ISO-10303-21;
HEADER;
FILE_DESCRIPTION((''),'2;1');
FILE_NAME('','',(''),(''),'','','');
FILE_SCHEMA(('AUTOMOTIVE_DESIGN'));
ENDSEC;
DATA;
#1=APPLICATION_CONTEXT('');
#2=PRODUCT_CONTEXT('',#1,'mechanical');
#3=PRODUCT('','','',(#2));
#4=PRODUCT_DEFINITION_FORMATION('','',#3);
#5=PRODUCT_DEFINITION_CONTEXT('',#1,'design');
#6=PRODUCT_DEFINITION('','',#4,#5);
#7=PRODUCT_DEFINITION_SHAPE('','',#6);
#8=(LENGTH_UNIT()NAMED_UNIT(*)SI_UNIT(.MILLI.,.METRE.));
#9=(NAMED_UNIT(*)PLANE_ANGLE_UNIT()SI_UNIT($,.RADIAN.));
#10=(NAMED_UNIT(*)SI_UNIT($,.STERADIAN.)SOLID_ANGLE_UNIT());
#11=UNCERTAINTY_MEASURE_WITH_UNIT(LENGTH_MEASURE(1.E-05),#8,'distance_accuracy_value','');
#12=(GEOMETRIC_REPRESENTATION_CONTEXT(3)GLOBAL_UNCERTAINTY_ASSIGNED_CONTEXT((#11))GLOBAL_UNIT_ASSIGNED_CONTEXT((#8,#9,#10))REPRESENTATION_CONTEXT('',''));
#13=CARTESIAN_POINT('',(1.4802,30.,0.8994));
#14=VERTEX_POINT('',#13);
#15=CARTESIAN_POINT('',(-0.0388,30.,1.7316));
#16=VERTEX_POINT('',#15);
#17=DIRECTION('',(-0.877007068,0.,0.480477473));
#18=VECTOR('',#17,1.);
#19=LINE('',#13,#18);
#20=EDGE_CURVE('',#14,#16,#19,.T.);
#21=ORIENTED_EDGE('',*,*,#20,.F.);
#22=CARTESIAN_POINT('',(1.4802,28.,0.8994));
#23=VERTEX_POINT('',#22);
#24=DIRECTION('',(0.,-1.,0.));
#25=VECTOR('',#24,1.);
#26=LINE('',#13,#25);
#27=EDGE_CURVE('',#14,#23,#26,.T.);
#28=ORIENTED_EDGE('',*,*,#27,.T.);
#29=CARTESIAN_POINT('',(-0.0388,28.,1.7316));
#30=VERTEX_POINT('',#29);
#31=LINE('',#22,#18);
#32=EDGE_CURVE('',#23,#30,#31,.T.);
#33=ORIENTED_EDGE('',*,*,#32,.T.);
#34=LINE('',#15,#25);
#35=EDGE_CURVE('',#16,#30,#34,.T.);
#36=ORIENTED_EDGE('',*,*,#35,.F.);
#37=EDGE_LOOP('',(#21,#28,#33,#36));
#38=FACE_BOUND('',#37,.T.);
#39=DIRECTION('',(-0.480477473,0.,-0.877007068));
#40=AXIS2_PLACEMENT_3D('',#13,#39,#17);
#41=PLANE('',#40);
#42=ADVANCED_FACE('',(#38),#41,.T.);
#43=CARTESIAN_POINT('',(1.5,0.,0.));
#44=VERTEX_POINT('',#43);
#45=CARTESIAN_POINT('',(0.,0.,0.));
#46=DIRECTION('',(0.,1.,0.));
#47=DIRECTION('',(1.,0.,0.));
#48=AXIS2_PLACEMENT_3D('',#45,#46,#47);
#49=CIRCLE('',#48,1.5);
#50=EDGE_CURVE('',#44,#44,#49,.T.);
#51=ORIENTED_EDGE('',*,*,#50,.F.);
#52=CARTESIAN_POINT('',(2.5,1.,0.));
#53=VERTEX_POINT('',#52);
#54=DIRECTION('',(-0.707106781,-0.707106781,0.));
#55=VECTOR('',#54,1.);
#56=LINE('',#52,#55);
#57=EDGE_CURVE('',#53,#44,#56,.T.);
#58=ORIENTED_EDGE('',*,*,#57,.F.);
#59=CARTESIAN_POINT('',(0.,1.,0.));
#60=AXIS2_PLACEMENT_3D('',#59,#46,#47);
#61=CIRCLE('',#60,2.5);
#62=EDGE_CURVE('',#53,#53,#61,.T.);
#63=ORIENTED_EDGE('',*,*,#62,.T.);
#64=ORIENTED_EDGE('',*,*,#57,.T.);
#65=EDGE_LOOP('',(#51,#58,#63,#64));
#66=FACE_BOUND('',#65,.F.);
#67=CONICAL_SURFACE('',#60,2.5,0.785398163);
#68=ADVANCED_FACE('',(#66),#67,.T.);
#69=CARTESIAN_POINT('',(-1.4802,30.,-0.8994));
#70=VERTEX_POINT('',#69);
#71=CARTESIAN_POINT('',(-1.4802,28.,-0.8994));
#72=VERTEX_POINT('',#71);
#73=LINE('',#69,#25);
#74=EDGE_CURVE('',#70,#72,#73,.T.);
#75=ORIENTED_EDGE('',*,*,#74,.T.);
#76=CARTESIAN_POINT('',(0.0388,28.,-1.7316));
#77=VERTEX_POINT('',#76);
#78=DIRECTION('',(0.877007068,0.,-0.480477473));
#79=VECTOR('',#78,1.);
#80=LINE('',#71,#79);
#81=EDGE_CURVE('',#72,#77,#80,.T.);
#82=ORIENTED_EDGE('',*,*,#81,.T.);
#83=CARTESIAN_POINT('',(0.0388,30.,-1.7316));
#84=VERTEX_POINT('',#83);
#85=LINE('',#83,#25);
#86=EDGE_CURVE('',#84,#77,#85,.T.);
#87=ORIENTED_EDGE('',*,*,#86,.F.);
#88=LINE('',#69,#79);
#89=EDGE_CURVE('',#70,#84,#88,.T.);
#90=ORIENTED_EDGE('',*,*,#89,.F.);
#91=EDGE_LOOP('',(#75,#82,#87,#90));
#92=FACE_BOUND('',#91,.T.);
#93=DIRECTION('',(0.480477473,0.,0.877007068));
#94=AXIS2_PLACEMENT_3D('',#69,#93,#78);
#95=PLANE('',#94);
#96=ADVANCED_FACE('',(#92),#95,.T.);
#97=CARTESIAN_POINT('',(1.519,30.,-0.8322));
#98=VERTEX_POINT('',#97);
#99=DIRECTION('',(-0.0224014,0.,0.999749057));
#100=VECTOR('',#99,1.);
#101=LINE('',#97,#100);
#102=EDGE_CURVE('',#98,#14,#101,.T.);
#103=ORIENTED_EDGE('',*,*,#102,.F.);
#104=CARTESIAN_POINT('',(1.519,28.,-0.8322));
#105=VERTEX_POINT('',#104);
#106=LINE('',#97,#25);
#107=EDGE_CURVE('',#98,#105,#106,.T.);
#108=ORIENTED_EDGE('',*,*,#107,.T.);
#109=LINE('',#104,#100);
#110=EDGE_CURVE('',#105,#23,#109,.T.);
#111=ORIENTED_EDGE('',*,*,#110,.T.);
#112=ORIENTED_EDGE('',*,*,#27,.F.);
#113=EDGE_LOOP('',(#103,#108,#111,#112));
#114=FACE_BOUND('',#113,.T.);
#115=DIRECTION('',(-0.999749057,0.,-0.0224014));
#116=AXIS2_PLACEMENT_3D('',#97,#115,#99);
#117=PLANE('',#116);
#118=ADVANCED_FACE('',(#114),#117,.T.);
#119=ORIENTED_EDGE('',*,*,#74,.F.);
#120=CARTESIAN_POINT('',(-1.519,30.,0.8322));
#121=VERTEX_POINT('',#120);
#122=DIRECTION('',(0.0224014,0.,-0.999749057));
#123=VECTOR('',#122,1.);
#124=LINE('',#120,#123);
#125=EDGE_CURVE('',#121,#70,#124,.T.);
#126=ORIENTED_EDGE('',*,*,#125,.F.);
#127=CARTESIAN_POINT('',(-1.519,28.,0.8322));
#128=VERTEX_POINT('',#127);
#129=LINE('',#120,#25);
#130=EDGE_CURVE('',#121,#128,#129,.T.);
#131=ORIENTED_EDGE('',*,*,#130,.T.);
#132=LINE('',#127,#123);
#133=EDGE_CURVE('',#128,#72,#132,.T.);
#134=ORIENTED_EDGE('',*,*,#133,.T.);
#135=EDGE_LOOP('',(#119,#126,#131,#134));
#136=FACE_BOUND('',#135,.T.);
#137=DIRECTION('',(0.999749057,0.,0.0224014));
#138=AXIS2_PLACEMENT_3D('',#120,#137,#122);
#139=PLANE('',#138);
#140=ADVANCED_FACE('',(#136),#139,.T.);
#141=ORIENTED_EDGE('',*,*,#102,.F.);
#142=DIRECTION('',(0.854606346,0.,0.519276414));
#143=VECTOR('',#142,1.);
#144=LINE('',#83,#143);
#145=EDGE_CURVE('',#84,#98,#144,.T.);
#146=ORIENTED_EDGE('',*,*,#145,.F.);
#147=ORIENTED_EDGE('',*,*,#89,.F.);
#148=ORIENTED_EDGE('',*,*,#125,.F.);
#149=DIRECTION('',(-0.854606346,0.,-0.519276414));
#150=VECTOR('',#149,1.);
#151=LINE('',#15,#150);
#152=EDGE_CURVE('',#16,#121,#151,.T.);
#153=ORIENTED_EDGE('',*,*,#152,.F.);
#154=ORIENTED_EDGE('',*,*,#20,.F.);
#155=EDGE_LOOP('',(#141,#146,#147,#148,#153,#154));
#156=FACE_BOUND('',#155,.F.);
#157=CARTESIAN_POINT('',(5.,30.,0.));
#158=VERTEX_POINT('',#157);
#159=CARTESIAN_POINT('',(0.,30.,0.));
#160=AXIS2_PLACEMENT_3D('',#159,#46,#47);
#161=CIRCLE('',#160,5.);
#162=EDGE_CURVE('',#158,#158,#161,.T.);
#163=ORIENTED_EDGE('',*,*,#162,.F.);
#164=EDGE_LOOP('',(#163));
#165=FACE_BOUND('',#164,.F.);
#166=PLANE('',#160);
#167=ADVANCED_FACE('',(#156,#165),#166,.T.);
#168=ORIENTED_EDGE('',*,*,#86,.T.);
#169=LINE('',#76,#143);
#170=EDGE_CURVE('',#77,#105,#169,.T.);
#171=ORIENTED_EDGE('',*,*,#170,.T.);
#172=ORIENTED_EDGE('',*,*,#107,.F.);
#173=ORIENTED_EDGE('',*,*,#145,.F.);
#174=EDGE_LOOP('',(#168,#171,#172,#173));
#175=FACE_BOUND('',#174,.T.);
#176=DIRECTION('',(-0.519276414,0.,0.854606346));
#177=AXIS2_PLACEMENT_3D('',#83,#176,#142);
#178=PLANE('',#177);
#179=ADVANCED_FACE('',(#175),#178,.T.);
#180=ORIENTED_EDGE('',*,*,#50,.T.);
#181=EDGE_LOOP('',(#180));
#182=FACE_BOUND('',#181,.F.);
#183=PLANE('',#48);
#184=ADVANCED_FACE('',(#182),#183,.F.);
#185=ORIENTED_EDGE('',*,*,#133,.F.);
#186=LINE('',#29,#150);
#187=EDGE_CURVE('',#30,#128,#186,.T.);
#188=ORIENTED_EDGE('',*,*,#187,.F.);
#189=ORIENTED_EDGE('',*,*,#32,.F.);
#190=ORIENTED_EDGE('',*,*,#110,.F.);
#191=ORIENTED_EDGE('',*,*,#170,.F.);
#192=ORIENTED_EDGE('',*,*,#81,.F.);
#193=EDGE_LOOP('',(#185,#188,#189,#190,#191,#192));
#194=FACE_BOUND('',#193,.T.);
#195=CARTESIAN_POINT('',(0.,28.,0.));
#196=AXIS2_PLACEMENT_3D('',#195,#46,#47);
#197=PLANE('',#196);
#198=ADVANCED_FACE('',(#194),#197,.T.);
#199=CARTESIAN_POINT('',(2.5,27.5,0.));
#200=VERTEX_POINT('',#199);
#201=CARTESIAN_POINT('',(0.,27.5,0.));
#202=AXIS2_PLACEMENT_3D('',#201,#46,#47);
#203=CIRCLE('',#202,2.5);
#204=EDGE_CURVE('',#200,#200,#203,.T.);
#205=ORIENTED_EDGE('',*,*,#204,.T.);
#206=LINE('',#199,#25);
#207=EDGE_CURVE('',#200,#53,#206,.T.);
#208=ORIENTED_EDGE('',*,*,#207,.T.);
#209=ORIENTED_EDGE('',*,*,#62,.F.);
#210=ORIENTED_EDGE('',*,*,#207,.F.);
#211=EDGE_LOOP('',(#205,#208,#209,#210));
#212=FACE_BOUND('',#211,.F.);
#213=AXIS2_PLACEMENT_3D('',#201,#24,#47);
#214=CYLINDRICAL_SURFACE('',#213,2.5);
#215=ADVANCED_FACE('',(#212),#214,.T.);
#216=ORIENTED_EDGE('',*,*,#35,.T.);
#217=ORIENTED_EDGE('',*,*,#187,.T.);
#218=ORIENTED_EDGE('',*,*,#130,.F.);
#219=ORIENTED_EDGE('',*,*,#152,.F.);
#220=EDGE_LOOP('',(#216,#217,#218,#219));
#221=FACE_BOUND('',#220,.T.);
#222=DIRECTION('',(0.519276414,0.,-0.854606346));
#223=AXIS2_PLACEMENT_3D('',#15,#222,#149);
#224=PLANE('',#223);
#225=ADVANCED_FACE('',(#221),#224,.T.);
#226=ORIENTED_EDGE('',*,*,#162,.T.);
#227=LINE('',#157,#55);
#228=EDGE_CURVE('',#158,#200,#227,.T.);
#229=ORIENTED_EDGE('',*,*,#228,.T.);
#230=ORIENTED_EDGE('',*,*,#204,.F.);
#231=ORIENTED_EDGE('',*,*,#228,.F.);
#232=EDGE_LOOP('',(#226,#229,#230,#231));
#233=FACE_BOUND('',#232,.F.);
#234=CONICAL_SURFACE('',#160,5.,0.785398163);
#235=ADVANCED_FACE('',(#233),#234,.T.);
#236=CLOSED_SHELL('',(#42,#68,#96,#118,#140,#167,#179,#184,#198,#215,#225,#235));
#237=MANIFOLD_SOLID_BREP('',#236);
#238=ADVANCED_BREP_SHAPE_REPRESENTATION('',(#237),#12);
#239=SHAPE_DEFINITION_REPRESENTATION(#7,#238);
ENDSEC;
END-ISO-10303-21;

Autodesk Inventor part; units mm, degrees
ref_plane "YZ Plane" through (0, 0, 0) normal (1, 0, 0) x (0, 1, 0)
ref_plane "XZ Plane" through (0, 0, 0) normal (0, 1, 0) x (-1, 0, 0)
ref_plane "XY Plane" through (0, 0, 0) normal (0, 0, 1) x (1, 0, 0)
sketch "Sketch1" plane through (0, 0, 0) normal (0, 0, 1) x (1, 0, 0)
  line L0 (0, 0) -> (0, 30)
  line L1 (0, 30) -> (5, 30)
  line L2 (5, 30) -> (2.5, 27.5)
  line L3 (2.5, 27.5) -> (2.5, 1)
  line L4 (1.5, 0) -> (0, 0)
  line L5 (2.5, 1) -> (1.5, 0)
  point P0 (2.5, 0)
  dimension "d0" = 2.5
  dimension "d2" = 5
  dimension "d3" = 135
  dimension "d4" = 30
  dimension "d6" = 1
  dimension "d7" = 1
revolve "Revolution1" add sketch "Sketch1" angle 360 about axis through (0, 0, 0) along (0, 1, 0)
sketch "Sketch2" plane through (0, 30, 0) normal (0, 1, 0) x (1, 0, 0)
  circle A0 centre (0, 0) radius 5 projected
  line L0 (1.4802, -0.8994) -> (-0.0388, -1.7316)
  line L1 (-0.0388, -1.7316) -> (-1.519, -0.8322)
  line L2 (-1.519, -0.8322) -> (-1.4802, 0.8994)
  line L3 (-1.4802, 0.8994) -> (0.0388, 1.7316)
  line L4 (0.0388, 1.7316) -> (1.519, 0.8322)
  line L5 (1.519, 0.8322) -> (1.4802, -0.8994)
  dimension "d8" = 3
extrude "Extrusion1" cut sketch "Sketch2" against normal blind 2 contours L0 L1 L2 L3 L4 L5
equation "\"d7\" = d6"
properties part number "DIN7991x30"
